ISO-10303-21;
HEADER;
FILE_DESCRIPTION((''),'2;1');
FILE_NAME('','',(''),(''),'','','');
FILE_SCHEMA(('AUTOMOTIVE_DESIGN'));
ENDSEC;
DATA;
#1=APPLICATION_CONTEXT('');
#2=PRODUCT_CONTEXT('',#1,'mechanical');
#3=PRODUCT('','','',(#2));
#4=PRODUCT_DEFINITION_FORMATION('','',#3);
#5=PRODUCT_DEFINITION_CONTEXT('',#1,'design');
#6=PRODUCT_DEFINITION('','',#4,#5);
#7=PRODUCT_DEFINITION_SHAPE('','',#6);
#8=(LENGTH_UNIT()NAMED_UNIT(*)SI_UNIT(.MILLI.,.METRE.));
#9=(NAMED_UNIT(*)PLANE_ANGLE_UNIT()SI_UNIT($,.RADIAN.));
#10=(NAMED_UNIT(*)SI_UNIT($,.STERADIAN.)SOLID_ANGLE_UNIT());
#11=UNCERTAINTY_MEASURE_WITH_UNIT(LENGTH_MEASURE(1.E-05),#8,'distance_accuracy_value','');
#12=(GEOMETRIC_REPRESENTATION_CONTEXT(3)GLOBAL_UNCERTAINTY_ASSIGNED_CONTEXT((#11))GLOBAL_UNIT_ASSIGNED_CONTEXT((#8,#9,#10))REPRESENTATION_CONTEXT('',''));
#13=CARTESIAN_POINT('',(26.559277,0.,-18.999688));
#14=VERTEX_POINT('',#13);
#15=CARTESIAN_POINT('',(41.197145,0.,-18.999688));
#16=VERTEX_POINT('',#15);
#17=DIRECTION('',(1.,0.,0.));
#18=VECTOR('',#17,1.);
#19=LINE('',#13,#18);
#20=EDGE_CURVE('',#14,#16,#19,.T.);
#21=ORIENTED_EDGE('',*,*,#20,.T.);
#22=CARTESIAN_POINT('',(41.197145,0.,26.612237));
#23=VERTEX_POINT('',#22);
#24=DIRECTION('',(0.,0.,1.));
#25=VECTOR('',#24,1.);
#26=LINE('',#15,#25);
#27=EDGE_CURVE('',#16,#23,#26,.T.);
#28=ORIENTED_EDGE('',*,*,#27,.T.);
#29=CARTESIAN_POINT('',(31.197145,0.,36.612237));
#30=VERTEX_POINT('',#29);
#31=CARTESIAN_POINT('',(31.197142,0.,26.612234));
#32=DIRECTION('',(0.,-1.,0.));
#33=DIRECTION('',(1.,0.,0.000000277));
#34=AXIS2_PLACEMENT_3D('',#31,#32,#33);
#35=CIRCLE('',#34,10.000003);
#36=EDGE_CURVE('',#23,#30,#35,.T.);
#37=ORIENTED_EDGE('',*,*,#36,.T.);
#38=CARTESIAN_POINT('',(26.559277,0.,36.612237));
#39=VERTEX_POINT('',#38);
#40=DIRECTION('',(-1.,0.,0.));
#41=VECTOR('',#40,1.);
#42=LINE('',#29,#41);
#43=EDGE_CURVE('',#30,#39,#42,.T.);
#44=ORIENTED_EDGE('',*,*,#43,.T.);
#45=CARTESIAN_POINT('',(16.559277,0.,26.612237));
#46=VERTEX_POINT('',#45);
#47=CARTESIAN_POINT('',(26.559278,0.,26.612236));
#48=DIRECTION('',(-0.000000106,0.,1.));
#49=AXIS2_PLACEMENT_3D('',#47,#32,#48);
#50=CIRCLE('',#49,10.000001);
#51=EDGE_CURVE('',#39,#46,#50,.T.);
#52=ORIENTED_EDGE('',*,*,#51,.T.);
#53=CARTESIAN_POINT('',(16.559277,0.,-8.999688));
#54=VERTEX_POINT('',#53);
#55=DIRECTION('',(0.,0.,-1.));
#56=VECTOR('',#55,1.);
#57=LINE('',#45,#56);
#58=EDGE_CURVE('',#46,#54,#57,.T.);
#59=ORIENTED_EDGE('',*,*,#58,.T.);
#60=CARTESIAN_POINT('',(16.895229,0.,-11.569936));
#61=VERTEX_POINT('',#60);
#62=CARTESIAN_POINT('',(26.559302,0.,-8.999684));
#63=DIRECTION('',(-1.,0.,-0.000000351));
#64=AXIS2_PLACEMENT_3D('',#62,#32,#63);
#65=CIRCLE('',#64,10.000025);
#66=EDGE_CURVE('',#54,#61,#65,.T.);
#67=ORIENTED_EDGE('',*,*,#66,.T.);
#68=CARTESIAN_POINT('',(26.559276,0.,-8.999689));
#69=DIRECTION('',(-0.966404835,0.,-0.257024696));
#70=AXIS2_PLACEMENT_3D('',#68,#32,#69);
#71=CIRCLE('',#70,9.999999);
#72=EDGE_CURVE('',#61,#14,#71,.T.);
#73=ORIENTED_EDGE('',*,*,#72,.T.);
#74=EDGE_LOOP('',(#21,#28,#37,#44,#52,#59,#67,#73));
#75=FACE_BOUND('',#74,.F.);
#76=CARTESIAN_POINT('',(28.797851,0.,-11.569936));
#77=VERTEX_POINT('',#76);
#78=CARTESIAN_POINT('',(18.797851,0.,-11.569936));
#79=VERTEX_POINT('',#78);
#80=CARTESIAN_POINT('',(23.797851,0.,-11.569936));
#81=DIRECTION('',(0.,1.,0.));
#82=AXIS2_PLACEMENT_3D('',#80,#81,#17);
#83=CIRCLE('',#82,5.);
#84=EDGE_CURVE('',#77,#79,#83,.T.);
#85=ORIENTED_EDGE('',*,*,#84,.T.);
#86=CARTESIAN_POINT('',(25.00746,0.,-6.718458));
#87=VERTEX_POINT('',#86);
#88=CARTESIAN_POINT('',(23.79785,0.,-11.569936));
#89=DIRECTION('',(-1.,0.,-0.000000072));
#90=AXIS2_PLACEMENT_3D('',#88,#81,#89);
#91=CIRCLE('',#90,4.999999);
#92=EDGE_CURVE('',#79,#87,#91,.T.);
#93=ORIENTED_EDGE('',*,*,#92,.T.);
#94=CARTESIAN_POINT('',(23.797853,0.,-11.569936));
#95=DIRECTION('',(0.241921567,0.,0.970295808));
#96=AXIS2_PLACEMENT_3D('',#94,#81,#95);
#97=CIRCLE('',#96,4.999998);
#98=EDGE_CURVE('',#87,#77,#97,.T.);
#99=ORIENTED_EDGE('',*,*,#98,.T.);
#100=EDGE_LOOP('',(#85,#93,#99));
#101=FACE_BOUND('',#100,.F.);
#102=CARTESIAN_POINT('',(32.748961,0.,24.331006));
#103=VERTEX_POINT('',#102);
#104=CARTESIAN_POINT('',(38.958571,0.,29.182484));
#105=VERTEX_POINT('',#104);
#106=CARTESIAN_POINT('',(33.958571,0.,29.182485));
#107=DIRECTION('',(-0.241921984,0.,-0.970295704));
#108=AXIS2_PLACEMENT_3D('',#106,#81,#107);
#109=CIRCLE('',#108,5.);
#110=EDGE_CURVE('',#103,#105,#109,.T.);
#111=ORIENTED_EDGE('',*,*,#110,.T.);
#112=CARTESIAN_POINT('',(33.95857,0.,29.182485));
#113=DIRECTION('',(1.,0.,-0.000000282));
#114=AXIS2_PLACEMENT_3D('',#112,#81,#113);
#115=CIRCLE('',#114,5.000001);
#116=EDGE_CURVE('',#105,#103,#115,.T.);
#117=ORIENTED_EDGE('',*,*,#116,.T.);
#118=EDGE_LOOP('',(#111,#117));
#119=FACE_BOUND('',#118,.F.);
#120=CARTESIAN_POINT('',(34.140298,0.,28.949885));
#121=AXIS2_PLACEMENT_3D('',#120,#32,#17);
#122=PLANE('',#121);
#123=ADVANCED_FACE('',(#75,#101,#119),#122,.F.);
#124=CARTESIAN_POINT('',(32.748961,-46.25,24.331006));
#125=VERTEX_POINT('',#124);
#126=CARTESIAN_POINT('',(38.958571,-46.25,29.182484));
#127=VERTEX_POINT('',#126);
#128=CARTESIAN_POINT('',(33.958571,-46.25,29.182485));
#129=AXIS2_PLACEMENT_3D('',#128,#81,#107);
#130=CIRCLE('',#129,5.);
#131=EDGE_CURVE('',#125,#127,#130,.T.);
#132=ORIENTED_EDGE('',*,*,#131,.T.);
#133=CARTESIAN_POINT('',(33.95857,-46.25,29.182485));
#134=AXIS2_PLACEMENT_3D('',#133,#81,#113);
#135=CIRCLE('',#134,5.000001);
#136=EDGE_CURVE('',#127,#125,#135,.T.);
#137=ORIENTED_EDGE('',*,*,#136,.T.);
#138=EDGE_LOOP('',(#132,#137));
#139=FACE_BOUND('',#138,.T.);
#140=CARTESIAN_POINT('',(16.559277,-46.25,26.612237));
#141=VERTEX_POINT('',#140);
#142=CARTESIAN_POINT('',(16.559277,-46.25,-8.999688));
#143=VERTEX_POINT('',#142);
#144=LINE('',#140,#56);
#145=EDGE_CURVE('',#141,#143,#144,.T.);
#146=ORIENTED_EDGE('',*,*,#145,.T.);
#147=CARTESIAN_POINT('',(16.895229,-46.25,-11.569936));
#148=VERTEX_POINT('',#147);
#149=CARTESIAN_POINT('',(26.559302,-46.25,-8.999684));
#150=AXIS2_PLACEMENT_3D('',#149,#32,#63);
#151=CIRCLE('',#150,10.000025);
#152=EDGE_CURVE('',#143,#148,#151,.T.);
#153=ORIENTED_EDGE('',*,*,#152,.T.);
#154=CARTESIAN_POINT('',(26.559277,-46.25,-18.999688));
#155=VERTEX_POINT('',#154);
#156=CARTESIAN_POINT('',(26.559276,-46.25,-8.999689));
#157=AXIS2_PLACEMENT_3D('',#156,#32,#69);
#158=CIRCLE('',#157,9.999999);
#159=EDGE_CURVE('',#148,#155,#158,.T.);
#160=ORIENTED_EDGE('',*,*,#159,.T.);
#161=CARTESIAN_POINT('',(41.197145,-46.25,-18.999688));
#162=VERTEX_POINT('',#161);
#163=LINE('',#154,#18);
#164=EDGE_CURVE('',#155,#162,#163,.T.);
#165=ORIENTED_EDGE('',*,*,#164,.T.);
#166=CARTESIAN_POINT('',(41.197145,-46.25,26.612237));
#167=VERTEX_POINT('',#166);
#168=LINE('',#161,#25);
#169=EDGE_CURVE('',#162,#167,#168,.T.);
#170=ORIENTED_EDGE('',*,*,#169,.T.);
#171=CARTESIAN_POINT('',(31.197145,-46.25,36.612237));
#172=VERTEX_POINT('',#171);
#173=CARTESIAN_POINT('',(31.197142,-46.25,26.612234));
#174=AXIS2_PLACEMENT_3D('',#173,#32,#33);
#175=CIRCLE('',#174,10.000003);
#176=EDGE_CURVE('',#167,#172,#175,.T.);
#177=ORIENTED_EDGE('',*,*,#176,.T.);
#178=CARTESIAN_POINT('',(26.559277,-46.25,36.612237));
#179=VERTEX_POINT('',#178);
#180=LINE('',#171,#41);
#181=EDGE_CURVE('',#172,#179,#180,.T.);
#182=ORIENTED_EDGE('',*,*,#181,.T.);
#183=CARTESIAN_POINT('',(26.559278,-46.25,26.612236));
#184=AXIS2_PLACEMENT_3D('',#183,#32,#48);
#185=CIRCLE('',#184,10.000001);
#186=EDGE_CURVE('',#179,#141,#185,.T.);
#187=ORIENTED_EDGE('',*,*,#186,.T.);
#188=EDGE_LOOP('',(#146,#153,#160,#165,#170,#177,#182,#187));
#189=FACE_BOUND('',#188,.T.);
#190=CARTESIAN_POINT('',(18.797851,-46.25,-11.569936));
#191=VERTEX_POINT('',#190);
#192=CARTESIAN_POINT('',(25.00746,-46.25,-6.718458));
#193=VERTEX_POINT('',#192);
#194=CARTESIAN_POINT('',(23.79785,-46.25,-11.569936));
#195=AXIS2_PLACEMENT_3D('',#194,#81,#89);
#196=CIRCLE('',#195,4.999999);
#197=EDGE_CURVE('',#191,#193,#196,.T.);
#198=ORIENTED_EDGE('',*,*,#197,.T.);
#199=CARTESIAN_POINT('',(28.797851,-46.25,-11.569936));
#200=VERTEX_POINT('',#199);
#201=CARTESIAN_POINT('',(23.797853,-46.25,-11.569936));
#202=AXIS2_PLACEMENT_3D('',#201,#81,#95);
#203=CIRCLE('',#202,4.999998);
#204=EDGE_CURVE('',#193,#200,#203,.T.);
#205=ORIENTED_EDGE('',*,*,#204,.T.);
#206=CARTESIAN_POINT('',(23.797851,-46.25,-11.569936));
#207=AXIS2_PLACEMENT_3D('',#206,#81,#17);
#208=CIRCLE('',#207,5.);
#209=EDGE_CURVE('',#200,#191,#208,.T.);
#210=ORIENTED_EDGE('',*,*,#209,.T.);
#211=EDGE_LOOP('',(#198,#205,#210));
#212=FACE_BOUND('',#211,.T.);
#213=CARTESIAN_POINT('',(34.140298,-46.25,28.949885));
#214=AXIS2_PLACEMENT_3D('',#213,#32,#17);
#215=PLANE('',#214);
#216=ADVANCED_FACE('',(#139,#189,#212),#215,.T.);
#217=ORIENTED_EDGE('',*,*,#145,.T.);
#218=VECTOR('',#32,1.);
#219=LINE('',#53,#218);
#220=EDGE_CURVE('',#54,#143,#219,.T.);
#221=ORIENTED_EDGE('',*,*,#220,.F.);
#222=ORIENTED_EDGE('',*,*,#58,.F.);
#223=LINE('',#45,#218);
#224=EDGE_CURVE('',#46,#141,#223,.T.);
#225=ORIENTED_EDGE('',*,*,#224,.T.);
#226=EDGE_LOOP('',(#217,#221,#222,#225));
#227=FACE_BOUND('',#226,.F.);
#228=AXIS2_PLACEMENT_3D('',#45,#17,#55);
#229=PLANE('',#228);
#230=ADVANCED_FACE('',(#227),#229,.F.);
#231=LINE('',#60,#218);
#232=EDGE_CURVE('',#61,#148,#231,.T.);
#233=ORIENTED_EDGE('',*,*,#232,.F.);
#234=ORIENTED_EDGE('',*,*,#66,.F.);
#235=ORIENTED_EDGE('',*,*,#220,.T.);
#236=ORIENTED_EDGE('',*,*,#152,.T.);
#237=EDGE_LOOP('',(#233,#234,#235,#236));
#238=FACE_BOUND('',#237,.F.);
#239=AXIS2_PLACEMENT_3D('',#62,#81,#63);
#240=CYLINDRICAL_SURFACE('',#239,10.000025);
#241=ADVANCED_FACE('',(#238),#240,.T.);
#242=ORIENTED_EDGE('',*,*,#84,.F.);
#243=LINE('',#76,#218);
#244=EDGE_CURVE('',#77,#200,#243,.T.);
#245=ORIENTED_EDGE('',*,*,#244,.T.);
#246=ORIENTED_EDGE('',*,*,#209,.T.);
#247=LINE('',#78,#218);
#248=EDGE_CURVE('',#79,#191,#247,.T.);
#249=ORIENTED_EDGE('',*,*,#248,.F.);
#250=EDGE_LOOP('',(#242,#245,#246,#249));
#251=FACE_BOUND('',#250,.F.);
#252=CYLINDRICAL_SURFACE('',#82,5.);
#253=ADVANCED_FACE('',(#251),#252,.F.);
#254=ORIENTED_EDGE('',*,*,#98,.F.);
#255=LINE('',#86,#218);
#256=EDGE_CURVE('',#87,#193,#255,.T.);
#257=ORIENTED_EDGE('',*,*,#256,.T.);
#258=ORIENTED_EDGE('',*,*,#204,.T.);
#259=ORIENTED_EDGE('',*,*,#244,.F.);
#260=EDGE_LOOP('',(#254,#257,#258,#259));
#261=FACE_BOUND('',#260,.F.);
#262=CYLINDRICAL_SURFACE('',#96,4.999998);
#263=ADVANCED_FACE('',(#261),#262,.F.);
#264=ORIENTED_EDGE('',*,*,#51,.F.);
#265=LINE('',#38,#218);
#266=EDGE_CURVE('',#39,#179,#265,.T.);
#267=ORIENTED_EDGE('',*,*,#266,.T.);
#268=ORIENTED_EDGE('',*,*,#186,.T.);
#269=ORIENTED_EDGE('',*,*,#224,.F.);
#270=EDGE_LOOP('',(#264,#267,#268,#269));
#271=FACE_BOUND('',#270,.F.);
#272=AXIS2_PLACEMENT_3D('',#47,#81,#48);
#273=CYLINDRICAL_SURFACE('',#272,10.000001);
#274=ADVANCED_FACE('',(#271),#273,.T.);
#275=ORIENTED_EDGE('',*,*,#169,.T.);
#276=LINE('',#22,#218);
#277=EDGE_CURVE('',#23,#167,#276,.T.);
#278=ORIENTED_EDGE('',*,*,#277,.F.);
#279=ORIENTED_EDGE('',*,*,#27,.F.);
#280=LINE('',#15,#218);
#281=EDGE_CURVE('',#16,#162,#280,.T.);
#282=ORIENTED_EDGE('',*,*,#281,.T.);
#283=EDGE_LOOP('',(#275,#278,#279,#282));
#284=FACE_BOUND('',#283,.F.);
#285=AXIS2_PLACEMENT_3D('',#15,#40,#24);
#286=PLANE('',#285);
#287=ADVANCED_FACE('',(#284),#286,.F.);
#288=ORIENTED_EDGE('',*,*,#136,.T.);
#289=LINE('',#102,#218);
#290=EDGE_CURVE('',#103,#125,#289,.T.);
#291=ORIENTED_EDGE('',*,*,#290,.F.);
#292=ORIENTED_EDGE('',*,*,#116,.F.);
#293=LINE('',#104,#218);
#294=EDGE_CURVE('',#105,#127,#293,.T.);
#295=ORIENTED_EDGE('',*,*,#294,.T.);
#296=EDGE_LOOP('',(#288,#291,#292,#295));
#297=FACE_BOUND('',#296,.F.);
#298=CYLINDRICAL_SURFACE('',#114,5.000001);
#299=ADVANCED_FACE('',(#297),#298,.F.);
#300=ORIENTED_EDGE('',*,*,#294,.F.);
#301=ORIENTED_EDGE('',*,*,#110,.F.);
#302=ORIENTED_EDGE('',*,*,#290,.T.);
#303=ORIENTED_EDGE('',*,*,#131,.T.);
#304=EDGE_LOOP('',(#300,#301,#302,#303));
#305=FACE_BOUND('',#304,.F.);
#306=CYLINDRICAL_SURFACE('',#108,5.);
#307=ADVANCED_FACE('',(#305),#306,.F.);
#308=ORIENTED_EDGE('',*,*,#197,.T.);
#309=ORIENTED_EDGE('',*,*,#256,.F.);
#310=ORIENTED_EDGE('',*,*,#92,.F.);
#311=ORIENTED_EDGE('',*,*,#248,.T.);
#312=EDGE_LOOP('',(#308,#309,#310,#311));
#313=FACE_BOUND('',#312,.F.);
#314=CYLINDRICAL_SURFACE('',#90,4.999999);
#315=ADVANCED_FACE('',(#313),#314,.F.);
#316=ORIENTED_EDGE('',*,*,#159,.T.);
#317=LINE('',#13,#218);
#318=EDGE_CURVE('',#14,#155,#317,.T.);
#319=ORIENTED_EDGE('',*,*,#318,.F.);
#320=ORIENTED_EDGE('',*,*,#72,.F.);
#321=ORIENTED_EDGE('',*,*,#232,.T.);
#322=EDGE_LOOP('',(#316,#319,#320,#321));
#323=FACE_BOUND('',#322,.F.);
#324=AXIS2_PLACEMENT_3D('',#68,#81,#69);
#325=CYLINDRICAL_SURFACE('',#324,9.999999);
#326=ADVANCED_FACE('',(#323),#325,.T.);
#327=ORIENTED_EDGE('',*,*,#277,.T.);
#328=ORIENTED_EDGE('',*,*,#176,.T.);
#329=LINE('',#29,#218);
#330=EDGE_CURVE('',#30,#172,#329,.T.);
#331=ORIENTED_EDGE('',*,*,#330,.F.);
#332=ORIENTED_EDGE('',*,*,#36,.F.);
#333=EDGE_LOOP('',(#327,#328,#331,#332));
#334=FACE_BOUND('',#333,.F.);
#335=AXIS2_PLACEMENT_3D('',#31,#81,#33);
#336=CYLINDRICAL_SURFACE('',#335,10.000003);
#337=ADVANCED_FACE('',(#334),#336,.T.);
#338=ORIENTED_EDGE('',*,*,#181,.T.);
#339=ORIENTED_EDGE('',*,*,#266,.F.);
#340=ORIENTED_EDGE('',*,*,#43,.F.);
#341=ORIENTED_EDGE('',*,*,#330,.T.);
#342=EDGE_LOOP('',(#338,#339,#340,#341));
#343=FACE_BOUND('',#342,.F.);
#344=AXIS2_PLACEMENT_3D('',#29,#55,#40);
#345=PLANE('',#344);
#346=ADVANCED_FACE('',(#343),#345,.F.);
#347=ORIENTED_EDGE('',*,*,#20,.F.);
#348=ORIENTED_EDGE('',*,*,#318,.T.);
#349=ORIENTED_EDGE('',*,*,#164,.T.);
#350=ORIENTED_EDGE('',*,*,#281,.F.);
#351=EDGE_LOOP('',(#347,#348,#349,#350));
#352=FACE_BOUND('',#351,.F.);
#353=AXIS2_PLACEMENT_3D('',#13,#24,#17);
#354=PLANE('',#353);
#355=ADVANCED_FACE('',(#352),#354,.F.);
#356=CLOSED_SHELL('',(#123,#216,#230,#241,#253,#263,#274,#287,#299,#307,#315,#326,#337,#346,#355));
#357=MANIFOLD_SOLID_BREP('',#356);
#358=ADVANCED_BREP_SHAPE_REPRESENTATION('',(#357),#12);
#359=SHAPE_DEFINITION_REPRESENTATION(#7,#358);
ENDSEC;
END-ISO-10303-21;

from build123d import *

# Parameters (mm, degrees)
F1_DEPTH = 46.25


with BuildPart() as f1:
    # F0 (on Front) → F1 (new body)
    with BuildSketch(Plane.XZ):
        with BuildLine():
            ThreePointArc((38.958571, 29.182484), (30.880263, 33.122538), (32.748961, 24.331006))
            ThreePointArc((32.748961, 24.331006), (37.036878, 25.242431), (38.958571, 29.182484))
        make_face()
        with BuildLine():
            ThreePointArc((16.559277, -8.999688), (16.643621, -10.295744), (16.895229, -11.569936))
            ThreePointArc((16.895229, -11.569936), (20.464299, -16.927566), (26.559277, -18.999688))
            Line((26.559277, -18.999688), (41.197145, -18.999688))
            Line((41.197145, -18.999688), (41.197145, 6.000312))
            Line((41.197145, 6.000312), (41.197145, 13.000312))
            Line((41.197145, 13.000312), (41.197145, 26.612237))
            ThreePointArc((41.197145, 26.612237), (38.268212, 33.683304), (31.197145, 36.612237))
            Line((31.197145, 36.612237), (26.559277, 36.612237))
            ThreePointArc((26.559277, 36.612237), (19.488209, 33.683304), (16.559277, 26.612237))
            Line((16.559277, 26.612237), (16.559277, -8.999688))
        make_face()
        with BuildLine():
            ThreePointArc((28.797851, -11.569936), (23.797851, -16.569936), (18.797851, -11.569936))
            ThreePointArc((18.797851, -11.569936), (20.719544, -7.629882), (25.00746, -6.718458))
            ThreePointArc((25.00746, -6.718458), (27.737905, -8.491629), (28.797851, -11.569936))
        make_face(mode=Mode.SUBTRACT)
        with BuildLine():
            ThreePointArc((38.958571, 29.182484), (37.036878, 25.242431), (32.748961, 24.331006))
            ThreePointArc((32.748961, 24.331006), (30.880263, 33.122538), (38.958571, 29.182484))
        make_face(mode=Mode.SUBTRACT)
    extrude(amount=F1_DEPTH)


solid = f1.part
